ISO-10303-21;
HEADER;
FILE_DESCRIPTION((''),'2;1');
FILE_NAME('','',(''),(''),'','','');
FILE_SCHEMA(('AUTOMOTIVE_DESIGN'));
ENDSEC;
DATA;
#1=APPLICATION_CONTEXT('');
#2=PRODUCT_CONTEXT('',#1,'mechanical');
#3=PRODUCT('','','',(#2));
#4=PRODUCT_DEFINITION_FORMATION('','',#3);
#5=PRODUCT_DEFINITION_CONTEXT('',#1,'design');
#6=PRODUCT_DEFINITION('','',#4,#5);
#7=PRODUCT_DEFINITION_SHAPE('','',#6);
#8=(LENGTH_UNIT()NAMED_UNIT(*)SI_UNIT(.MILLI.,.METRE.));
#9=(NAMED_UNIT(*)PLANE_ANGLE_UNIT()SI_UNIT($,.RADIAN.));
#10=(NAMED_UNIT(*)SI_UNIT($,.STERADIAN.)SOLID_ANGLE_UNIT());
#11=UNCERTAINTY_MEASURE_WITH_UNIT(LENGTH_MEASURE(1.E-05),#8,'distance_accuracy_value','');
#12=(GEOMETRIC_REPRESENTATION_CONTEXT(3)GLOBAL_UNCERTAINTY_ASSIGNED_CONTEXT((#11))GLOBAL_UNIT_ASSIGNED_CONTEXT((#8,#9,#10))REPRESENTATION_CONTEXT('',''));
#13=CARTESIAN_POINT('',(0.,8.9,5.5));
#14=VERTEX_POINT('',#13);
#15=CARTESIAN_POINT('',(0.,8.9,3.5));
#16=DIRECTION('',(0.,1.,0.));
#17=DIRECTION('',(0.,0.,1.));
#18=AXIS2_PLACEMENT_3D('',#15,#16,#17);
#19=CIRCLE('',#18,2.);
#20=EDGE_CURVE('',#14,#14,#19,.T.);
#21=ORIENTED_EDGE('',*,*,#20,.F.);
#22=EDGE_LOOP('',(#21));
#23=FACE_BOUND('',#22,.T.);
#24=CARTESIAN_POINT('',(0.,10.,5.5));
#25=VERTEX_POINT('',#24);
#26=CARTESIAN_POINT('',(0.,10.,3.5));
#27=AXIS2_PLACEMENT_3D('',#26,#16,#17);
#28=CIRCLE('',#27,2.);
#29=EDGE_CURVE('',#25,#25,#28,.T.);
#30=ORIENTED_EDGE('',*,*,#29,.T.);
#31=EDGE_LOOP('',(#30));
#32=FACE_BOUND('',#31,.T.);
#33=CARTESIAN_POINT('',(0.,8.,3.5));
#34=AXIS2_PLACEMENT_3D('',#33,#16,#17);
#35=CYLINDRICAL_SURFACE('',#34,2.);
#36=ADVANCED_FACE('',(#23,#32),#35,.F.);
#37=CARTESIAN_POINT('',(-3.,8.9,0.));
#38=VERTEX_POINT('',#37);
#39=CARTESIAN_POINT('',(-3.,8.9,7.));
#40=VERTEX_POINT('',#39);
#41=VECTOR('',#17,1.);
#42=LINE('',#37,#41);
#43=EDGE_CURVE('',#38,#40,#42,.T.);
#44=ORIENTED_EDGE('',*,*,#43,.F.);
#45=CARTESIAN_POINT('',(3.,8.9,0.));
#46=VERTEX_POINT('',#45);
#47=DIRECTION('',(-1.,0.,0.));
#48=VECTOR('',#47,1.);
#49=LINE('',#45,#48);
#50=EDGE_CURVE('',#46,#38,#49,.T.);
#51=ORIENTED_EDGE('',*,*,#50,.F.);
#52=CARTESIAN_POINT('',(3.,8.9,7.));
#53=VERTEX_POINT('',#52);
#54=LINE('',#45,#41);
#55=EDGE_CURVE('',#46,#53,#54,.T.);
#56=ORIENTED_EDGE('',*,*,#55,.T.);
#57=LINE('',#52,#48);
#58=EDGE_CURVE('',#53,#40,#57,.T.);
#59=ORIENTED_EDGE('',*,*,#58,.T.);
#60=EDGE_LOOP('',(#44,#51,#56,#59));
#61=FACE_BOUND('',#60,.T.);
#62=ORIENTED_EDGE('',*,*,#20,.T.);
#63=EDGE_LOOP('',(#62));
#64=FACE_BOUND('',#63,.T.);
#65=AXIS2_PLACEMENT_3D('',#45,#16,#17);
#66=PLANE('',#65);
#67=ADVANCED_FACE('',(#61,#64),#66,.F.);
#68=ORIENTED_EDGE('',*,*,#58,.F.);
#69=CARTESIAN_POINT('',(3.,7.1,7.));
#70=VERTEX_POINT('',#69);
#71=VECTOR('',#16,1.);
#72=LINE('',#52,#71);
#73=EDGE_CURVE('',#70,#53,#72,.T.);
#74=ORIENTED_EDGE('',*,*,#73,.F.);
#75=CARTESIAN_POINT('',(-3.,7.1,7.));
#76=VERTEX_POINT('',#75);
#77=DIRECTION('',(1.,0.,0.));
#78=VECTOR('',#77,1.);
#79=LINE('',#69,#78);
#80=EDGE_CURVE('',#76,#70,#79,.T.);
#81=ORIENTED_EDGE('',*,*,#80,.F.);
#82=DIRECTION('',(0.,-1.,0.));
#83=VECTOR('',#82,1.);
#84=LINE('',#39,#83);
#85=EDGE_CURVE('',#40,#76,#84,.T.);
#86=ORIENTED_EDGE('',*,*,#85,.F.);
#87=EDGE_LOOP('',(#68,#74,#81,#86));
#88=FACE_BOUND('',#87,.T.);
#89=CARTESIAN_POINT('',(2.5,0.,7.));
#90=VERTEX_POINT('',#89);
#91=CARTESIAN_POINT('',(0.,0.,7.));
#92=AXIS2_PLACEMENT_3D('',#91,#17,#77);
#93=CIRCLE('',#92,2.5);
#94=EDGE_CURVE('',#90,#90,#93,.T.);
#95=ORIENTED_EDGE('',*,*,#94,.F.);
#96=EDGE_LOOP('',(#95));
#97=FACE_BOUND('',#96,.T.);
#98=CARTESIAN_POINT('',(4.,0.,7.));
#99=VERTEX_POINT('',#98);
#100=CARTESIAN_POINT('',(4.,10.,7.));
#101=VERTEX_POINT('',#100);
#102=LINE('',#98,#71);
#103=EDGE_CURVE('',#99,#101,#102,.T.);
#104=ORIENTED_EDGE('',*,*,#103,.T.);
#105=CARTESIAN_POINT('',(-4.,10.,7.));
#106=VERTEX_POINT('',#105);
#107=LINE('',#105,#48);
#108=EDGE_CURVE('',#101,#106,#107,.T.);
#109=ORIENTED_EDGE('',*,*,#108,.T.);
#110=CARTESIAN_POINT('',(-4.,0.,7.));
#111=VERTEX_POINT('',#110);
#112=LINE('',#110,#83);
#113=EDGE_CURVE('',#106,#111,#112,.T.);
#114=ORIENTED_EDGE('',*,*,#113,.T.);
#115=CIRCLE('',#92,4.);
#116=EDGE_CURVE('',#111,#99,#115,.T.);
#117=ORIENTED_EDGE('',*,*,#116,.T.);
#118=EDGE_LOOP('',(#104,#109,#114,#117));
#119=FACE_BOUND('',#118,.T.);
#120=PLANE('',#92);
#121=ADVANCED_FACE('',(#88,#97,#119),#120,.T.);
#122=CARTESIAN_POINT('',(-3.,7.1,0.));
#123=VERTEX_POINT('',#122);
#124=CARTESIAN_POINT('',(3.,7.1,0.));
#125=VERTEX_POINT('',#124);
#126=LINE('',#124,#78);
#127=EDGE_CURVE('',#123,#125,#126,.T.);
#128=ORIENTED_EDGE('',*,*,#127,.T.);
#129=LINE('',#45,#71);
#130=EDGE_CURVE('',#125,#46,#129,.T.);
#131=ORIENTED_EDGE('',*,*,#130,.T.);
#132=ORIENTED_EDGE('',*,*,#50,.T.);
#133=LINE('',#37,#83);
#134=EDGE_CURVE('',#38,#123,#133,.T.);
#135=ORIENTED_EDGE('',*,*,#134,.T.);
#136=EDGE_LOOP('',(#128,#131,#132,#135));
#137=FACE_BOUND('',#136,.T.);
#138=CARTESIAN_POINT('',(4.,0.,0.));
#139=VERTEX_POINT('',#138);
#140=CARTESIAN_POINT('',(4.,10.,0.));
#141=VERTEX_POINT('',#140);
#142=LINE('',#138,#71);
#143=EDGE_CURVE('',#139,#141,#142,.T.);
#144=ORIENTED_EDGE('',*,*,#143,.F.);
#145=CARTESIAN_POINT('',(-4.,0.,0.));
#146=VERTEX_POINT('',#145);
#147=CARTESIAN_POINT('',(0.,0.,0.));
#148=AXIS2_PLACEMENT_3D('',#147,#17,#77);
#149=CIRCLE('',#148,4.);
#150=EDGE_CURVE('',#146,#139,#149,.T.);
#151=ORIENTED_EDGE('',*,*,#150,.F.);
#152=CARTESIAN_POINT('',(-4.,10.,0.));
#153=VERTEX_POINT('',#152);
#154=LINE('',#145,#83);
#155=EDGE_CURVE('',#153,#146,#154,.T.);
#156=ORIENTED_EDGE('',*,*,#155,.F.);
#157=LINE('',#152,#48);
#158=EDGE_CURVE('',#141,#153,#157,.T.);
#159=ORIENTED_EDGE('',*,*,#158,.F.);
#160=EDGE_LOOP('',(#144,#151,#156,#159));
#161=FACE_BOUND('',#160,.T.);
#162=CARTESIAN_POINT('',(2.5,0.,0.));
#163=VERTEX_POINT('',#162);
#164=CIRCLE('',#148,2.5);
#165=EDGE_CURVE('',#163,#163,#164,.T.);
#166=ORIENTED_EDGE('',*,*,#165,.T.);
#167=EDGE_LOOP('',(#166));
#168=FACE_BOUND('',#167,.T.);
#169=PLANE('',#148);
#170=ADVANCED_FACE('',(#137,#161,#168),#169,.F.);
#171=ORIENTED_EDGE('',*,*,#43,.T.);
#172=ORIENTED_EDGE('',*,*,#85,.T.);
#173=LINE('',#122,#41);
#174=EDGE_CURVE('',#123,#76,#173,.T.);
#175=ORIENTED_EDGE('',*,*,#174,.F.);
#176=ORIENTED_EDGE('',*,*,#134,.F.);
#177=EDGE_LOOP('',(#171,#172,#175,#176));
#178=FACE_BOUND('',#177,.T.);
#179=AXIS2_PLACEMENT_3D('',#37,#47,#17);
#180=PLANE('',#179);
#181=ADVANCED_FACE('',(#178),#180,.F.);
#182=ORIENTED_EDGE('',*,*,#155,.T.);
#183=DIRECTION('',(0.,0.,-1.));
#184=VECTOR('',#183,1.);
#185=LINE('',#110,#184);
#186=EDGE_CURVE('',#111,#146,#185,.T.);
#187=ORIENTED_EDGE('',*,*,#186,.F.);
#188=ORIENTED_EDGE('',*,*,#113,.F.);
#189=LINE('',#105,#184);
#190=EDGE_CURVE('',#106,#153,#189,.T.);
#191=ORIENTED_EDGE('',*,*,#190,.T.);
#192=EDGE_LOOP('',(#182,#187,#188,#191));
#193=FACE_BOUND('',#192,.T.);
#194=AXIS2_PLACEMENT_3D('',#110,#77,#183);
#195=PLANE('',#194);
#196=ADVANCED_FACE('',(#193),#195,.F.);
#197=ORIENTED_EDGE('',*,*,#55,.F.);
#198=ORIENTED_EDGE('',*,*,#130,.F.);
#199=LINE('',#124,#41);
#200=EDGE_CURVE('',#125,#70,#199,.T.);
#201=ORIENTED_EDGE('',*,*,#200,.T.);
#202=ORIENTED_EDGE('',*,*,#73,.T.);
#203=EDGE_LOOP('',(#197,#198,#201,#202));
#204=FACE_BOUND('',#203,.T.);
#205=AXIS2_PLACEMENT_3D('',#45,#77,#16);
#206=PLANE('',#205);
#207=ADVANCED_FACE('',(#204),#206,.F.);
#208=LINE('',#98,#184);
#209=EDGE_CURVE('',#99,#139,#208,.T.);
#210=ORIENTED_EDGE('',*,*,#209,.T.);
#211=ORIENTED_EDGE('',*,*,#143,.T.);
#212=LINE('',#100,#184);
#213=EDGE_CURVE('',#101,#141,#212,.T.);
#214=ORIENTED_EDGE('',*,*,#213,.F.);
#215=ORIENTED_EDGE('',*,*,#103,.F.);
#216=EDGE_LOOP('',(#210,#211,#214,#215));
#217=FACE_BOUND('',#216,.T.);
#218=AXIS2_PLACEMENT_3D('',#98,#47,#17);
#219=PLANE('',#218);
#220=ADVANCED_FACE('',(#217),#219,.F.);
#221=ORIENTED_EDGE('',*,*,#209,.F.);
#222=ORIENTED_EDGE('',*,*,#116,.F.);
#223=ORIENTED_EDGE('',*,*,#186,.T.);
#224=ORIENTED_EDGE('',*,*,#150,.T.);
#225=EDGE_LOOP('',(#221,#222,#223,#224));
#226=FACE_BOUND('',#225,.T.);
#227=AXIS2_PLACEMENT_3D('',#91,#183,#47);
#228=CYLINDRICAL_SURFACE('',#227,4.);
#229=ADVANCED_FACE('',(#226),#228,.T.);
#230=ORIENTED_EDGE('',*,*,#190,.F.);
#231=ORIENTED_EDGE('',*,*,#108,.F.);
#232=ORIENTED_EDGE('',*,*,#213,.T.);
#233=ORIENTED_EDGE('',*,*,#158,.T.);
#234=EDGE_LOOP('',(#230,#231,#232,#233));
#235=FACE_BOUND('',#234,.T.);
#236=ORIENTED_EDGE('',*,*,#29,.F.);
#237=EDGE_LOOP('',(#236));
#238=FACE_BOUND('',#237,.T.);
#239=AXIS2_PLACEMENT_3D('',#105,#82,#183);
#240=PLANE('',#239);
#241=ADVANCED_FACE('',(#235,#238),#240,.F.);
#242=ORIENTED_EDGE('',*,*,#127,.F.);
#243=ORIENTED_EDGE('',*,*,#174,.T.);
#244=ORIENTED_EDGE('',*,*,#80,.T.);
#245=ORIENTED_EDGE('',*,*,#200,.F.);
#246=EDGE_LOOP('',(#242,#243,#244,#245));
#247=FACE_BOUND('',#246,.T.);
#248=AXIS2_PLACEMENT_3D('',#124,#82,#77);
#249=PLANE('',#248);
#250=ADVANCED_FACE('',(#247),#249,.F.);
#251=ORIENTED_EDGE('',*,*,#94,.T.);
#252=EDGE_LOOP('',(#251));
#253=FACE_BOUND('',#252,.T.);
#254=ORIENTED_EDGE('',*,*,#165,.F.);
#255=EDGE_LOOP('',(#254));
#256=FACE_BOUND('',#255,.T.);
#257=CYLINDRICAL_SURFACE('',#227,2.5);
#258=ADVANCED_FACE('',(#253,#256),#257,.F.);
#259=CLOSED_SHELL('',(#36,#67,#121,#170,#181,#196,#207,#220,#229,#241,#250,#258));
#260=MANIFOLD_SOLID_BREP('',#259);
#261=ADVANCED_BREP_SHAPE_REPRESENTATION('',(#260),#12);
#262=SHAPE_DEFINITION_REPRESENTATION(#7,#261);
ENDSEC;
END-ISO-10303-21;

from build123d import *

# Parameters (mm, degrees)
SKETCH2_R           = 2.5
BOSS_EXTRUDE1_DEPTH = 7
SKETCH3_W           = 6
SKETCH3_H           = 1.8
CUT_EXTRUDE1_DEPTH  = 7
SKETCH4_R           = 2
CUT_EXTRUDE2_DEPTH  = 2


with BuildPart() as part:
    # Sketch2 → Boss-Extrude1 (new body)
    with BuildSketch(Plane.XY):
        with BuildLine():
            Line((-4, 0), (-4, 10))
            Line((-4, 10), (4, 10))
            Line((4, 10), (4, 0))
            ThreePointArc((4, 0), (0, -4), (-4, 0))
        make_face()
        Circle(SKETCH2_R, mode=Mode.SUBTRACT)
    extrude(amount=BOSS_EXTRUDE1_DEPTH)

    # Sketch3 → Cut-Extrude1 (cut)
    with BuildSketch(Plane.XY.offset(7)):
        with Locations((0, 8)):
            Rectangle(SKETCH3_W, SKETCH3_H)
    extrude(amount=-CUT_EXTRUDE1_DEPTH, mode=Mode.SUBTRACT)

    # Sketch4 → Cut-Extrude2 (cut)
    with BuildSketch(Plane(origin=(0, 10, 0), x_dir=(1, 0, 0), z_dir=(0, 1, 0))):
        with Locations((0, -3.5)):
            Circle(SKETCH4_R)
    extrude(amount=-CUT_EXTRUDE2_DEPTH, mode=Mode.SUBTRACT)


solid = part.part
